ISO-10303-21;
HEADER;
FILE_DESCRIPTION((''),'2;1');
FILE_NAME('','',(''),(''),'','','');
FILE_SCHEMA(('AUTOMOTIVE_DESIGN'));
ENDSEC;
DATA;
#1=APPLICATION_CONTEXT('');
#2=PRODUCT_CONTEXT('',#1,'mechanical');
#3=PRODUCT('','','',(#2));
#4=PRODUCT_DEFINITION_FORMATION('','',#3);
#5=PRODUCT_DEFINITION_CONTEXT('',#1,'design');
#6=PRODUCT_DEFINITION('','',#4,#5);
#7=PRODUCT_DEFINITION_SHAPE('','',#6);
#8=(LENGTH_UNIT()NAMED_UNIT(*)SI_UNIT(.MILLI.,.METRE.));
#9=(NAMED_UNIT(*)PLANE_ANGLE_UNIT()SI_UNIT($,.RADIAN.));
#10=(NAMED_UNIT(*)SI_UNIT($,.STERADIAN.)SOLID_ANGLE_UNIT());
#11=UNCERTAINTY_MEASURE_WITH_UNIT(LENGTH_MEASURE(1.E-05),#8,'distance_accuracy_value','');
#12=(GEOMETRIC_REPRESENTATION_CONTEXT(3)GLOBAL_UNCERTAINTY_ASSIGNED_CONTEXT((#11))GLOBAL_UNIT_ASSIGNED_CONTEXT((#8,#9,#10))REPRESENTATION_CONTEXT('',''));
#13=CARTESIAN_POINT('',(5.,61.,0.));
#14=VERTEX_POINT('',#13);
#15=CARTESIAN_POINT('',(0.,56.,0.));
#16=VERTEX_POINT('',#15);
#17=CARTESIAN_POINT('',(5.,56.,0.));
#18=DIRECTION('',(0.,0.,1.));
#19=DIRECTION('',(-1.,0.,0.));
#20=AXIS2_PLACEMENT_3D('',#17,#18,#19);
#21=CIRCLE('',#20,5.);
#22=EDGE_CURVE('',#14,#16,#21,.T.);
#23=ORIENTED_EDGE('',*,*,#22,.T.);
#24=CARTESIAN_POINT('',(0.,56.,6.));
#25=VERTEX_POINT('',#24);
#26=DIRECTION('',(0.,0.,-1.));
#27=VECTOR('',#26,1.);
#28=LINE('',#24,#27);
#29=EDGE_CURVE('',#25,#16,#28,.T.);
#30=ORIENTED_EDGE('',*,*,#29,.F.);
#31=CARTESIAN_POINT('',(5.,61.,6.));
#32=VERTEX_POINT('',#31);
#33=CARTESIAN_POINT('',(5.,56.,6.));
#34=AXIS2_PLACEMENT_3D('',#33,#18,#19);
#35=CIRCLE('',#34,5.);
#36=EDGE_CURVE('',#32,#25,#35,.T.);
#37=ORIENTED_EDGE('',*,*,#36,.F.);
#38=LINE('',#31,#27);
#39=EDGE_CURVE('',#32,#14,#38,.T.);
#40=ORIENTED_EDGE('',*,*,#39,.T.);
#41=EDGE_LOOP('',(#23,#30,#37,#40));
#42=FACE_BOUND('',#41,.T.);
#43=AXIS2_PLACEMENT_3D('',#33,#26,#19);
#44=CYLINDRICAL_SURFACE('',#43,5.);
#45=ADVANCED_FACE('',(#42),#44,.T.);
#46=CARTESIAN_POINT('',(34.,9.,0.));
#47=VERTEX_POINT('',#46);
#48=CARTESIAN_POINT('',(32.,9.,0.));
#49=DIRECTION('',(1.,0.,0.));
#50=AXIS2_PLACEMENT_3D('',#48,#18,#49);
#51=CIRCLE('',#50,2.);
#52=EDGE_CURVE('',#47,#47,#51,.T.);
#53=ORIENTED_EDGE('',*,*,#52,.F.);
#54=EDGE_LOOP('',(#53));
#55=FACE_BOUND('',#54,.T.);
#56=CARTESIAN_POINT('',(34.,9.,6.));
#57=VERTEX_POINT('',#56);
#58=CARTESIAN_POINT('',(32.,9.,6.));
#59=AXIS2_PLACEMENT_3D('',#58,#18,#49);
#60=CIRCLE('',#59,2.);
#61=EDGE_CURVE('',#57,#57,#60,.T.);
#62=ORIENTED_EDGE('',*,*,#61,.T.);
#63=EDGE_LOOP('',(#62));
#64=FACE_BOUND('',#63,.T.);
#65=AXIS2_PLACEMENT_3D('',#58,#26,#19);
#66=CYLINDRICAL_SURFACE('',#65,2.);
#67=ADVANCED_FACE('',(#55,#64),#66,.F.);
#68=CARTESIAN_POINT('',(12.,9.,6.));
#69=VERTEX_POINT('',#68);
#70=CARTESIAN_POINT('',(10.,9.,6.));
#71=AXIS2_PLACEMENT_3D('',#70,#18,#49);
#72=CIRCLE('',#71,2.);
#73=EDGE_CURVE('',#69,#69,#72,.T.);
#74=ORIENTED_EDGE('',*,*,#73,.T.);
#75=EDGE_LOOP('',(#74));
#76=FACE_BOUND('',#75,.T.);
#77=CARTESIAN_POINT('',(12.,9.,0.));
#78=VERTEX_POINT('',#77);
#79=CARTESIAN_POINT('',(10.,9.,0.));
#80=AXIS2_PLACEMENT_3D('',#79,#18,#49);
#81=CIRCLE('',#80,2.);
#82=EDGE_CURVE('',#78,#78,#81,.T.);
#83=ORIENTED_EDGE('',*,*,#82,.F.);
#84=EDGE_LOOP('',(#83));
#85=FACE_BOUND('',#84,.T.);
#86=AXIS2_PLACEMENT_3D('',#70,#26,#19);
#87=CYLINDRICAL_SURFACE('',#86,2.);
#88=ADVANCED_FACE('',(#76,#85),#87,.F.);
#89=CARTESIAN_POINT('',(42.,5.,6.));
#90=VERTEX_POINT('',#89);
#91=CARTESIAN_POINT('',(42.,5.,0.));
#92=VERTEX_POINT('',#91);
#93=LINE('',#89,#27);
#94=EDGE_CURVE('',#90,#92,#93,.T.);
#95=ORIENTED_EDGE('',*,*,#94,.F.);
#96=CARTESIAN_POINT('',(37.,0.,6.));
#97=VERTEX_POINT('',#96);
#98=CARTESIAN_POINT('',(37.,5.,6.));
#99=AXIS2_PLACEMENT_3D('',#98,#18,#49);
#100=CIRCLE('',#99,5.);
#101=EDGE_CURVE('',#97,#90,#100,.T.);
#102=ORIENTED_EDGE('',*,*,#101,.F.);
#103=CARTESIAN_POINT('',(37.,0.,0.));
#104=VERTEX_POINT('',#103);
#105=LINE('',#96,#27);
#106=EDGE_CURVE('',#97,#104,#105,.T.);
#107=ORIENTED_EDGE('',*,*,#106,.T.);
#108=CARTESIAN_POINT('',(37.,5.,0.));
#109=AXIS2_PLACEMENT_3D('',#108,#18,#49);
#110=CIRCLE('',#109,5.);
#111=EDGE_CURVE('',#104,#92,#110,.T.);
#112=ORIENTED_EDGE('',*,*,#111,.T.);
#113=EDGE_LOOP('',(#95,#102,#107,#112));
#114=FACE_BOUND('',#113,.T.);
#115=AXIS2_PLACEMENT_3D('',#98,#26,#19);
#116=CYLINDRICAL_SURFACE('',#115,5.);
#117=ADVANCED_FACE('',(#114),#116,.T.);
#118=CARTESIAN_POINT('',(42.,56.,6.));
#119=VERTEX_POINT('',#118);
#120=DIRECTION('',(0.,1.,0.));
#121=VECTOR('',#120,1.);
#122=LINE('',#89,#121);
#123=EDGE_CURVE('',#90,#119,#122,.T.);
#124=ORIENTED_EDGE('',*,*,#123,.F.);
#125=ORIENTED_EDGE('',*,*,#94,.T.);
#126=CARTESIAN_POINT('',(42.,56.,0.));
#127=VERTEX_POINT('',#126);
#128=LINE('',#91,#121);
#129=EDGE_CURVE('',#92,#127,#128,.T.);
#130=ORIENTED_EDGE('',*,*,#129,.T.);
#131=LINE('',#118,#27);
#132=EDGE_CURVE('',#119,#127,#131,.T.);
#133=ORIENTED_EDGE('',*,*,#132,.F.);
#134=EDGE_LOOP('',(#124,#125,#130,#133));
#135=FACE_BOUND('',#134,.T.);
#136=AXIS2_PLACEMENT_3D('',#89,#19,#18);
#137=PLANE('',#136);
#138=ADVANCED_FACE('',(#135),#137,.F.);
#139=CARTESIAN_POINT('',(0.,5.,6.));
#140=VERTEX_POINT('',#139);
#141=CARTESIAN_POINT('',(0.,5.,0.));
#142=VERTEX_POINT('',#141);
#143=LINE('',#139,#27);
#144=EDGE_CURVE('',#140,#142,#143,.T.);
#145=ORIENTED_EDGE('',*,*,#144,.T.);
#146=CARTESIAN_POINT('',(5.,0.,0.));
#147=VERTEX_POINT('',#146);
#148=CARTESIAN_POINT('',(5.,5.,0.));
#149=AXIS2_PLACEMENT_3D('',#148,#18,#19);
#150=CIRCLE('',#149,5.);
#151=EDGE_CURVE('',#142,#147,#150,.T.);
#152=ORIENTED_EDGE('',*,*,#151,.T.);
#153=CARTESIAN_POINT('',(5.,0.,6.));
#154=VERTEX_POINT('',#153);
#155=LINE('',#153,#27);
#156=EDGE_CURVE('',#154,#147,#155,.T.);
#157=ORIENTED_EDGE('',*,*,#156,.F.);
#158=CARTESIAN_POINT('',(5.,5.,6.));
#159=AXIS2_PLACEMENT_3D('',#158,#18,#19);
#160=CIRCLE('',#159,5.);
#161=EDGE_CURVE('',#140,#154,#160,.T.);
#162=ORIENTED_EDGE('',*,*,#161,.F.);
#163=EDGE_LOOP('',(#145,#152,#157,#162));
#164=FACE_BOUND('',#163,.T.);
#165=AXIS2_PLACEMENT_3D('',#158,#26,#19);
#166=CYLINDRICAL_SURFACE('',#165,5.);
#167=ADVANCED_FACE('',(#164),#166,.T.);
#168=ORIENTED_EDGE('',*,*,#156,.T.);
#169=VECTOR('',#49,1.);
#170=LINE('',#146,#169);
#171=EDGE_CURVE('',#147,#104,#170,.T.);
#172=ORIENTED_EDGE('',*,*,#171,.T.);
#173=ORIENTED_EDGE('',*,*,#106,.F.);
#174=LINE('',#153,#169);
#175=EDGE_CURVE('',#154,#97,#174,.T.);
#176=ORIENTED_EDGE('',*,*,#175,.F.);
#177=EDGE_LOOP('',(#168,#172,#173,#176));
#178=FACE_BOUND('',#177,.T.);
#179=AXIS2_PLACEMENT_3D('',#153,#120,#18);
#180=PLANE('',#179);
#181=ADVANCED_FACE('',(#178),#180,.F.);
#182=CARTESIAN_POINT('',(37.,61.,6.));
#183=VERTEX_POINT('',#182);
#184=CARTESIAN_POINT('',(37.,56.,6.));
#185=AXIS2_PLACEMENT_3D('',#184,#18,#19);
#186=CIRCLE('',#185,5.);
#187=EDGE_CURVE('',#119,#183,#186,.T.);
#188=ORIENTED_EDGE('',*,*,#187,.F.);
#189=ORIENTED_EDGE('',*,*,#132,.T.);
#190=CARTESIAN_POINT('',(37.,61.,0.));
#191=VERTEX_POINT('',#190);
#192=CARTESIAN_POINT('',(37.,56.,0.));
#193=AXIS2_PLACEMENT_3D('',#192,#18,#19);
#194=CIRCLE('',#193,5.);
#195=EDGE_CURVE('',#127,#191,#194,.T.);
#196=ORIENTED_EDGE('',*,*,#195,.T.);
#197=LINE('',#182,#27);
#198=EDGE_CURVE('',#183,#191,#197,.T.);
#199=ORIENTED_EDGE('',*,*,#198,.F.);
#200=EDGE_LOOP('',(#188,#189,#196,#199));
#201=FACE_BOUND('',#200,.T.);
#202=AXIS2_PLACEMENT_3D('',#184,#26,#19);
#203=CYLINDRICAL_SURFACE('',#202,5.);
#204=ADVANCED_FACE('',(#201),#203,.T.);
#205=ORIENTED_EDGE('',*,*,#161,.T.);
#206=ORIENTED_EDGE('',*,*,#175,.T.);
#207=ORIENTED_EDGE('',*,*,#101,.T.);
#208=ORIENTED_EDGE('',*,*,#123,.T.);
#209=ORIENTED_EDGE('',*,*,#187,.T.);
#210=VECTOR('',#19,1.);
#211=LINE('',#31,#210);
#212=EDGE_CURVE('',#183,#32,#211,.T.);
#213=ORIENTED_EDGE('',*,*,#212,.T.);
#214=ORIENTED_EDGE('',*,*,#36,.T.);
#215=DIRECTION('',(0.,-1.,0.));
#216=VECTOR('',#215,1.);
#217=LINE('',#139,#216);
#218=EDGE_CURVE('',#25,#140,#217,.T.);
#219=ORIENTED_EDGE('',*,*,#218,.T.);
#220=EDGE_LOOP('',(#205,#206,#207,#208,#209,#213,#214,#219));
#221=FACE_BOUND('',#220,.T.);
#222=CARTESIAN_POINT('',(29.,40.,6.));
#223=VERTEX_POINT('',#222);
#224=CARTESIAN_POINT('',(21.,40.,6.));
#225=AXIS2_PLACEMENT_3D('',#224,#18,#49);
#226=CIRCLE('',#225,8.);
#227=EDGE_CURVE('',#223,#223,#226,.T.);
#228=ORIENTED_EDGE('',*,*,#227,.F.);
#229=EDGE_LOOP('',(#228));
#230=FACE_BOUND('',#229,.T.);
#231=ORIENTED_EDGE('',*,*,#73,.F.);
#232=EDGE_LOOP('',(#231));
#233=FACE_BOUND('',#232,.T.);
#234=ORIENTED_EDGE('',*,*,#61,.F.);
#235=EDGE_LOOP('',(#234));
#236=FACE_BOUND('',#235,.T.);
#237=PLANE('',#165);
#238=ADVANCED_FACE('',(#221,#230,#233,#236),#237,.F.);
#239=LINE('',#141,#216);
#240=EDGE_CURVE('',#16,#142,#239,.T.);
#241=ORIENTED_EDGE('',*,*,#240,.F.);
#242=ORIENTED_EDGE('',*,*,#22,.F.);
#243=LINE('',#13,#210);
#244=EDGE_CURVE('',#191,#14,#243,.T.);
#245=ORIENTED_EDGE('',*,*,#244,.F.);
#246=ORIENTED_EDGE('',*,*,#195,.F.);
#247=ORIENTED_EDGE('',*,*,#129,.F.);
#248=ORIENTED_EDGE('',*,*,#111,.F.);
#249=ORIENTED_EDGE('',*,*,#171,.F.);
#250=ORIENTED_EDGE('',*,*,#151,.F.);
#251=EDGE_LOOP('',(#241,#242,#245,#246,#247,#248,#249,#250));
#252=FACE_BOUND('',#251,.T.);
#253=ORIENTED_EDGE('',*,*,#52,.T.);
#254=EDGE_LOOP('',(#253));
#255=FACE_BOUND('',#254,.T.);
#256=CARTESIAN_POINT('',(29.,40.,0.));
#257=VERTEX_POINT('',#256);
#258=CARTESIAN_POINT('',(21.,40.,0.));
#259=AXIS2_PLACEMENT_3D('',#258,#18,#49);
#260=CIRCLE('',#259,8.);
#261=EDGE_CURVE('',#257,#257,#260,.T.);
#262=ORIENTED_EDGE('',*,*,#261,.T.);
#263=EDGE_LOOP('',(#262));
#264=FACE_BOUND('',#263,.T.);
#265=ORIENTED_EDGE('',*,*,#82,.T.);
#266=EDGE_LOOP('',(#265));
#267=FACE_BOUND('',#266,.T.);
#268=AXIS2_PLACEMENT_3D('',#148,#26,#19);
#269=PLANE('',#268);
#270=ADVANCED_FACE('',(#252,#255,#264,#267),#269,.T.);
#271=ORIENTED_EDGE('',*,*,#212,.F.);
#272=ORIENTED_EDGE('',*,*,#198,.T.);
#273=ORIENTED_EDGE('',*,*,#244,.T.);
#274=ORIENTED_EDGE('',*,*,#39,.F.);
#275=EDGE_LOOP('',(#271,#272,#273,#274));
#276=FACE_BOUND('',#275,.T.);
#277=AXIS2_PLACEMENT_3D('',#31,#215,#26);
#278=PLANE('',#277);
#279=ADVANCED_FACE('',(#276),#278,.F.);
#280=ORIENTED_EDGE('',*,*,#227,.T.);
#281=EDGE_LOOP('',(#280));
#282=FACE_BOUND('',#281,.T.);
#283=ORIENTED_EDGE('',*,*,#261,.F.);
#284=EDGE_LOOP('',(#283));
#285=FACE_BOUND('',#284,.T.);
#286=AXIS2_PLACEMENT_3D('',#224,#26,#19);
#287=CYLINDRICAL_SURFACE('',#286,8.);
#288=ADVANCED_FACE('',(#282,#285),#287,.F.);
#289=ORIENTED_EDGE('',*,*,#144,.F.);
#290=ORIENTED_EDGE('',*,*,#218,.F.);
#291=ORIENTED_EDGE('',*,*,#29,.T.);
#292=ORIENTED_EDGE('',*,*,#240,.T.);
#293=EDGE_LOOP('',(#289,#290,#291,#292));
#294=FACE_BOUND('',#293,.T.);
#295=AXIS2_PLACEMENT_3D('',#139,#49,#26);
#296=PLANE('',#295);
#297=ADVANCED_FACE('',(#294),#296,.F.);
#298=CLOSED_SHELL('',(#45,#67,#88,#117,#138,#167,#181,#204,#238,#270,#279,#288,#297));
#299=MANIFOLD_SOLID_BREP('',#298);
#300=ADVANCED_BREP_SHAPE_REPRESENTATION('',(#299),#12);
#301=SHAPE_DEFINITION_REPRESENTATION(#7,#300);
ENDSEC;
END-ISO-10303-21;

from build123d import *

# Parameters (mm, degrees)
SKETCH1_R           = 8
SKETCH1_R_2         = 2
BOSS_EXTRUDE1_DEPTH = 6


with BuildPart() as part:
    # Sketch1 → Boss-Extrude1 (new body)
    with BuildSketch(Plane.XY):
        with BuildLine():
            Line((5, 0), (37, 0))
            ThreePointArc((37, 0), (40.535533906, 1.464466094), (42, 5))
            Line((42, 5), (42, 56))
            ThreePointArc((42, 56), (40.535533906, 59.535533906), (37, 61))
            Line((37, 61), (5, 61))
            ThreePointArc((5, 61), (1.464466094, 59.535533906), (0, 56))
            Line((0, 56), (0, 5))
            ThreePointArc((0, 5), (1.464466094, 1.464466094), (5, 0))
        make_face()
        with Locations((21, 40)):
            Circle(SKETCH1_R, mode=Mode.SUBTRACT)
        with Locations((10, 9)):
            Circle(SKETCH1_R_2, mode=Mode.SUBTRACT)
        with Locations((32, 9)):
            Circle(SKETCH1_R_2, mode=Mode.SUBTRACT)
    extrude(amount=BOSS_EXTRUDE1_DEPTH)


solid = part.part
